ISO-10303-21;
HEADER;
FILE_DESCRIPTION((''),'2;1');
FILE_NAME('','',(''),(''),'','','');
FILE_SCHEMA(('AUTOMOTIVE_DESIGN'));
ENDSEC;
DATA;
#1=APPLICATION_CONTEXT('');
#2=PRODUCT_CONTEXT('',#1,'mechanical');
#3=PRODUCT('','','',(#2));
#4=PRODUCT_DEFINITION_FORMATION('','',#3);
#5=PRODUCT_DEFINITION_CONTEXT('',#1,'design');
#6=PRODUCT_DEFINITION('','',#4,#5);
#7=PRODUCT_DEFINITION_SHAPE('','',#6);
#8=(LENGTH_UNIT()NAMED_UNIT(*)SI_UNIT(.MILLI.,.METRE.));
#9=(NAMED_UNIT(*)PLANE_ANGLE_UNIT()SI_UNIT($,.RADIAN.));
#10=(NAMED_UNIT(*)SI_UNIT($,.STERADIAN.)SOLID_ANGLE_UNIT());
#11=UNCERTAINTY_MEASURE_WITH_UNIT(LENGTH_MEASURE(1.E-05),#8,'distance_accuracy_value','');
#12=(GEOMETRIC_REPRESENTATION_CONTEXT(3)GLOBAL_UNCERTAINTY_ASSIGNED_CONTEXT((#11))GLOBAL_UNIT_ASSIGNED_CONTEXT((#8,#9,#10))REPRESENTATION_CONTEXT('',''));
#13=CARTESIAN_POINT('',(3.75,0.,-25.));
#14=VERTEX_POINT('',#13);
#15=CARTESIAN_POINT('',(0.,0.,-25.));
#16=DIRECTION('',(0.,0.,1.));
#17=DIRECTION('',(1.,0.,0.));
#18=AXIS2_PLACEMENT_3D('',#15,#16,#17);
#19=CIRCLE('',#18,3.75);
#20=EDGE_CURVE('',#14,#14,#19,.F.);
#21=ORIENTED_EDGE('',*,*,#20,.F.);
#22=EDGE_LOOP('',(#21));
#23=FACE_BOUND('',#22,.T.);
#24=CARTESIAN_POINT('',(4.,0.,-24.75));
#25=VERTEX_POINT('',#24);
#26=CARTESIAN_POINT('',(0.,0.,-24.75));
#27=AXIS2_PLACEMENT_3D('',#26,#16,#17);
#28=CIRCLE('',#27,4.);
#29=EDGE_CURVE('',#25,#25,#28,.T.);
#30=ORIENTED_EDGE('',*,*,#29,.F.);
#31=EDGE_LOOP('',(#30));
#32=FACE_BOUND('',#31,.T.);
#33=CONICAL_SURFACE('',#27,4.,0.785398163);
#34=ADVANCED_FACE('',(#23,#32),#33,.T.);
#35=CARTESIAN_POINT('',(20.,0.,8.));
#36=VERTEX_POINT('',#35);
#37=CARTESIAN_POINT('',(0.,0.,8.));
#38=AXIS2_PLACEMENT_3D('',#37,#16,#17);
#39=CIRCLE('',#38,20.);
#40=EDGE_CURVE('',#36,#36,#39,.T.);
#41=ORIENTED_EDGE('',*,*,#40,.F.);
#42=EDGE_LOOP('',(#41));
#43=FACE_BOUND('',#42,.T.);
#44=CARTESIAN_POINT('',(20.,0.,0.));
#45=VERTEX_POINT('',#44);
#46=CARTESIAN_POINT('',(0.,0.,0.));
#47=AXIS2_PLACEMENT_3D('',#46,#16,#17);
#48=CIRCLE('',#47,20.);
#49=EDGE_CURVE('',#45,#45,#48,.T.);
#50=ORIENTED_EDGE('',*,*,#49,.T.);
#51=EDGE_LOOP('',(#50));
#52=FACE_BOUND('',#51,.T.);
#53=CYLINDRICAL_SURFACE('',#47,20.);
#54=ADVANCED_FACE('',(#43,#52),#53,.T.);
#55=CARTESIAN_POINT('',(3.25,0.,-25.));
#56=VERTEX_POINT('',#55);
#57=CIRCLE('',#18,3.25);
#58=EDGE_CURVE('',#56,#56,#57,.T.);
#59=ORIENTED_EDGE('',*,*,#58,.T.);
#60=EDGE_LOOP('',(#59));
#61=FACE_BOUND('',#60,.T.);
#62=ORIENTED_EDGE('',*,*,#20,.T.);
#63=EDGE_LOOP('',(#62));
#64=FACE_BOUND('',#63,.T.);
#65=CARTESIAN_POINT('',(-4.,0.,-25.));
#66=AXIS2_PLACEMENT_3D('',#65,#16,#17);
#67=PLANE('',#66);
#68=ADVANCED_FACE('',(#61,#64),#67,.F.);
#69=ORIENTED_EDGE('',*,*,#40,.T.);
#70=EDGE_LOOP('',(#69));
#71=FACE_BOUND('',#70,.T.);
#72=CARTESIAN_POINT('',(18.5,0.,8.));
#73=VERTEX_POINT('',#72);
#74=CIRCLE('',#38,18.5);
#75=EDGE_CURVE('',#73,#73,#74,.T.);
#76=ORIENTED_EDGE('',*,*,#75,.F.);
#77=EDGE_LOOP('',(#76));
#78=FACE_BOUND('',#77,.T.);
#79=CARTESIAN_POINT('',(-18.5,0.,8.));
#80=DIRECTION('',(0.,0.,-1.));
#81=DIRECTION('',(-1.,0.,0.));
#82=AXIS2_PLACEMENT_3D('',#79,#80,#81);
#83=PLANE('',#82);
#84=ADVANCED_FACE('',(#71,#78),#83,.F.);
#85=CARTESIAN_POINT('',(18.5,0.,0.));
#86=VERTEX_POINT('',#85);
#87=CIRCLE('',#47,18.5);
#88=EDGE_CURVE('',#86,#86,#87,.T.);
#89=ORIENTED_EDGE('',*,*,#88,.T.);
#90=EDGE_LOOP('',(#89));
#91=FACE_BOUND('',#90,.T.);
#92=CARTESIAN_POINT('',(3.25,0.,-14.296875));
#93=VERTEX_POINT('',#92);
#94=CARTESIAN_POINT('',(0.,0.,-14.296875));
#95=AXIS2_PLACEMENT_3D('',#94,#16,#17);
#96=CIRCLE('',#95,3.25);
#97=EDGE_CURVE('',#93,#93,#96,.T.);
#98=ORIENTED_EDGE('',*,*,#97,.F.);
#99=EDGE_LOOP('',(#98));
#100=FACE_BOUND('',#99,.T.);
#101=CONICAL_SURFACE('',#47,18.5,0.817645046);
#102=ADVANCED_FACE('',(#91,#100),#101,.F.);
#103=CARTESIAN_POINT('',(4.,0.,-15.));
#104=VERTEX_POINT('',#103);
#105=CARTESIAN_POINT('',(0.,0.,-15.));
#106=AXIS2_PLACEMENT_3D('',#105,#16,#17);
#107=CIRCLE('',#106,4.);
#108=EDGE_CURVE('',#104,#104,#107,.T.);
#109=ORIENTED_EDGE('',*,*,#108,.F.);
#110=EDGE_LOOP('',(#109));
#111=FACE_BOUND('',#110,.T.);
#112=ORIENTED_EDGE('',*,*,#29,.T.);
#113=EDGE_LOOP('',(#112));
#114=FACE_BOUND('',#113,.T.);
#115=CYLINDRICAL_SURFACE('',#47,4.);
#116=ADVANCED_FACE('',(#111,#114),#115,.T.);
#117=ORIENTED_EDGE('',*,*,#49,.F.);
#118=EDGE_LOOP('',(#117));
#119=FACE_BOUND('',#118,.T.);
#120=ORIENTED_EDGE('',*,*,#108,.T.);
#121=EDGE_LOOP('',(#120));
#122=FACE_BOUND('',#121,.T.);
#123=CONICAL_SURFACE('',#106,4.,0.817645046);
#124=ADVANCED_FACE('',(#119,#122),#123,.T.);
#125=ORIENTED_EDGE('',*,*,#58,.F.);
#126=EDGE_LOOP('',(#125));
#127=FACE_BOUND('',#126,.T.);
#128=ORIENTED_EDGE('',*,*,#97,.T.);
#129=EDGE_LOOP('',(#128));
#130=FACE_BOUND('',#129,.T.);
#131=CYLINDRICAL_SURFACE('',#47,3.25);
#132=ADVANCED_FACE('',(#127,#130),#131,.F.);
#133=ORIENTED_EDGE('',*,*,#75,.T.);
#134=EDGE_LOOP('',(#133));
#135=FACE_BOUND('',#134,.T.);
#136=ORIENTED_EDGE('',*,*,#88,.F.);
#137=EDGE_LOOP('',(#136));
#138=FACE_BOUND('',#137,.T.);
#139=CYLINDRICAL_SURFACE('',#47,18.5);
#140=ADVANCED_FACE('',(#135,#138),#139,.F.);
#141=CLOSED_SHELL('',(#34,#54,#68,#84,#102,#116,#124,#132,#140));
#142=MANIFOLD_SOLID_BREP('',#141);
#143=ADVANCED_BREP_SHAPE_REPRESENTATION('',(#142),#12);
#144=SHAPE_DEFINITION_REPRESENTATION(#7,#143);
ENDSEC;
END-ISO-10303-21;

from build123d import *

# Parameters (mm, degrees)
CHAMFER2_SIZE = 0.25


with BuildPart() as part:
    # Sketch1 → Revolve1 (revolve)
    with BuildSketch(Plane(origin=(0, 0, 0), x_dir=(1, 0, 0), z_dir=(0, 1, 0))):
        Polygon((-4, 25), (-4, 15), (-20, 0), (-20, -8), (-18.5, -8), (-18.5, 0), (-3.25, 14.296875), (-3.25, 25), align=None)
    revolve(axis=Axis((0, 0, 0), (0, 0, -1)))

    # Chamfer2
    chamfer2_edges = [part.edges().sort_by_distance(p)[0] for p in [
        (4, 0, -25),
    ]]
    chamfer(chamfer2_edges, length=CHAMFER2_SIZE)


solid = part.part
